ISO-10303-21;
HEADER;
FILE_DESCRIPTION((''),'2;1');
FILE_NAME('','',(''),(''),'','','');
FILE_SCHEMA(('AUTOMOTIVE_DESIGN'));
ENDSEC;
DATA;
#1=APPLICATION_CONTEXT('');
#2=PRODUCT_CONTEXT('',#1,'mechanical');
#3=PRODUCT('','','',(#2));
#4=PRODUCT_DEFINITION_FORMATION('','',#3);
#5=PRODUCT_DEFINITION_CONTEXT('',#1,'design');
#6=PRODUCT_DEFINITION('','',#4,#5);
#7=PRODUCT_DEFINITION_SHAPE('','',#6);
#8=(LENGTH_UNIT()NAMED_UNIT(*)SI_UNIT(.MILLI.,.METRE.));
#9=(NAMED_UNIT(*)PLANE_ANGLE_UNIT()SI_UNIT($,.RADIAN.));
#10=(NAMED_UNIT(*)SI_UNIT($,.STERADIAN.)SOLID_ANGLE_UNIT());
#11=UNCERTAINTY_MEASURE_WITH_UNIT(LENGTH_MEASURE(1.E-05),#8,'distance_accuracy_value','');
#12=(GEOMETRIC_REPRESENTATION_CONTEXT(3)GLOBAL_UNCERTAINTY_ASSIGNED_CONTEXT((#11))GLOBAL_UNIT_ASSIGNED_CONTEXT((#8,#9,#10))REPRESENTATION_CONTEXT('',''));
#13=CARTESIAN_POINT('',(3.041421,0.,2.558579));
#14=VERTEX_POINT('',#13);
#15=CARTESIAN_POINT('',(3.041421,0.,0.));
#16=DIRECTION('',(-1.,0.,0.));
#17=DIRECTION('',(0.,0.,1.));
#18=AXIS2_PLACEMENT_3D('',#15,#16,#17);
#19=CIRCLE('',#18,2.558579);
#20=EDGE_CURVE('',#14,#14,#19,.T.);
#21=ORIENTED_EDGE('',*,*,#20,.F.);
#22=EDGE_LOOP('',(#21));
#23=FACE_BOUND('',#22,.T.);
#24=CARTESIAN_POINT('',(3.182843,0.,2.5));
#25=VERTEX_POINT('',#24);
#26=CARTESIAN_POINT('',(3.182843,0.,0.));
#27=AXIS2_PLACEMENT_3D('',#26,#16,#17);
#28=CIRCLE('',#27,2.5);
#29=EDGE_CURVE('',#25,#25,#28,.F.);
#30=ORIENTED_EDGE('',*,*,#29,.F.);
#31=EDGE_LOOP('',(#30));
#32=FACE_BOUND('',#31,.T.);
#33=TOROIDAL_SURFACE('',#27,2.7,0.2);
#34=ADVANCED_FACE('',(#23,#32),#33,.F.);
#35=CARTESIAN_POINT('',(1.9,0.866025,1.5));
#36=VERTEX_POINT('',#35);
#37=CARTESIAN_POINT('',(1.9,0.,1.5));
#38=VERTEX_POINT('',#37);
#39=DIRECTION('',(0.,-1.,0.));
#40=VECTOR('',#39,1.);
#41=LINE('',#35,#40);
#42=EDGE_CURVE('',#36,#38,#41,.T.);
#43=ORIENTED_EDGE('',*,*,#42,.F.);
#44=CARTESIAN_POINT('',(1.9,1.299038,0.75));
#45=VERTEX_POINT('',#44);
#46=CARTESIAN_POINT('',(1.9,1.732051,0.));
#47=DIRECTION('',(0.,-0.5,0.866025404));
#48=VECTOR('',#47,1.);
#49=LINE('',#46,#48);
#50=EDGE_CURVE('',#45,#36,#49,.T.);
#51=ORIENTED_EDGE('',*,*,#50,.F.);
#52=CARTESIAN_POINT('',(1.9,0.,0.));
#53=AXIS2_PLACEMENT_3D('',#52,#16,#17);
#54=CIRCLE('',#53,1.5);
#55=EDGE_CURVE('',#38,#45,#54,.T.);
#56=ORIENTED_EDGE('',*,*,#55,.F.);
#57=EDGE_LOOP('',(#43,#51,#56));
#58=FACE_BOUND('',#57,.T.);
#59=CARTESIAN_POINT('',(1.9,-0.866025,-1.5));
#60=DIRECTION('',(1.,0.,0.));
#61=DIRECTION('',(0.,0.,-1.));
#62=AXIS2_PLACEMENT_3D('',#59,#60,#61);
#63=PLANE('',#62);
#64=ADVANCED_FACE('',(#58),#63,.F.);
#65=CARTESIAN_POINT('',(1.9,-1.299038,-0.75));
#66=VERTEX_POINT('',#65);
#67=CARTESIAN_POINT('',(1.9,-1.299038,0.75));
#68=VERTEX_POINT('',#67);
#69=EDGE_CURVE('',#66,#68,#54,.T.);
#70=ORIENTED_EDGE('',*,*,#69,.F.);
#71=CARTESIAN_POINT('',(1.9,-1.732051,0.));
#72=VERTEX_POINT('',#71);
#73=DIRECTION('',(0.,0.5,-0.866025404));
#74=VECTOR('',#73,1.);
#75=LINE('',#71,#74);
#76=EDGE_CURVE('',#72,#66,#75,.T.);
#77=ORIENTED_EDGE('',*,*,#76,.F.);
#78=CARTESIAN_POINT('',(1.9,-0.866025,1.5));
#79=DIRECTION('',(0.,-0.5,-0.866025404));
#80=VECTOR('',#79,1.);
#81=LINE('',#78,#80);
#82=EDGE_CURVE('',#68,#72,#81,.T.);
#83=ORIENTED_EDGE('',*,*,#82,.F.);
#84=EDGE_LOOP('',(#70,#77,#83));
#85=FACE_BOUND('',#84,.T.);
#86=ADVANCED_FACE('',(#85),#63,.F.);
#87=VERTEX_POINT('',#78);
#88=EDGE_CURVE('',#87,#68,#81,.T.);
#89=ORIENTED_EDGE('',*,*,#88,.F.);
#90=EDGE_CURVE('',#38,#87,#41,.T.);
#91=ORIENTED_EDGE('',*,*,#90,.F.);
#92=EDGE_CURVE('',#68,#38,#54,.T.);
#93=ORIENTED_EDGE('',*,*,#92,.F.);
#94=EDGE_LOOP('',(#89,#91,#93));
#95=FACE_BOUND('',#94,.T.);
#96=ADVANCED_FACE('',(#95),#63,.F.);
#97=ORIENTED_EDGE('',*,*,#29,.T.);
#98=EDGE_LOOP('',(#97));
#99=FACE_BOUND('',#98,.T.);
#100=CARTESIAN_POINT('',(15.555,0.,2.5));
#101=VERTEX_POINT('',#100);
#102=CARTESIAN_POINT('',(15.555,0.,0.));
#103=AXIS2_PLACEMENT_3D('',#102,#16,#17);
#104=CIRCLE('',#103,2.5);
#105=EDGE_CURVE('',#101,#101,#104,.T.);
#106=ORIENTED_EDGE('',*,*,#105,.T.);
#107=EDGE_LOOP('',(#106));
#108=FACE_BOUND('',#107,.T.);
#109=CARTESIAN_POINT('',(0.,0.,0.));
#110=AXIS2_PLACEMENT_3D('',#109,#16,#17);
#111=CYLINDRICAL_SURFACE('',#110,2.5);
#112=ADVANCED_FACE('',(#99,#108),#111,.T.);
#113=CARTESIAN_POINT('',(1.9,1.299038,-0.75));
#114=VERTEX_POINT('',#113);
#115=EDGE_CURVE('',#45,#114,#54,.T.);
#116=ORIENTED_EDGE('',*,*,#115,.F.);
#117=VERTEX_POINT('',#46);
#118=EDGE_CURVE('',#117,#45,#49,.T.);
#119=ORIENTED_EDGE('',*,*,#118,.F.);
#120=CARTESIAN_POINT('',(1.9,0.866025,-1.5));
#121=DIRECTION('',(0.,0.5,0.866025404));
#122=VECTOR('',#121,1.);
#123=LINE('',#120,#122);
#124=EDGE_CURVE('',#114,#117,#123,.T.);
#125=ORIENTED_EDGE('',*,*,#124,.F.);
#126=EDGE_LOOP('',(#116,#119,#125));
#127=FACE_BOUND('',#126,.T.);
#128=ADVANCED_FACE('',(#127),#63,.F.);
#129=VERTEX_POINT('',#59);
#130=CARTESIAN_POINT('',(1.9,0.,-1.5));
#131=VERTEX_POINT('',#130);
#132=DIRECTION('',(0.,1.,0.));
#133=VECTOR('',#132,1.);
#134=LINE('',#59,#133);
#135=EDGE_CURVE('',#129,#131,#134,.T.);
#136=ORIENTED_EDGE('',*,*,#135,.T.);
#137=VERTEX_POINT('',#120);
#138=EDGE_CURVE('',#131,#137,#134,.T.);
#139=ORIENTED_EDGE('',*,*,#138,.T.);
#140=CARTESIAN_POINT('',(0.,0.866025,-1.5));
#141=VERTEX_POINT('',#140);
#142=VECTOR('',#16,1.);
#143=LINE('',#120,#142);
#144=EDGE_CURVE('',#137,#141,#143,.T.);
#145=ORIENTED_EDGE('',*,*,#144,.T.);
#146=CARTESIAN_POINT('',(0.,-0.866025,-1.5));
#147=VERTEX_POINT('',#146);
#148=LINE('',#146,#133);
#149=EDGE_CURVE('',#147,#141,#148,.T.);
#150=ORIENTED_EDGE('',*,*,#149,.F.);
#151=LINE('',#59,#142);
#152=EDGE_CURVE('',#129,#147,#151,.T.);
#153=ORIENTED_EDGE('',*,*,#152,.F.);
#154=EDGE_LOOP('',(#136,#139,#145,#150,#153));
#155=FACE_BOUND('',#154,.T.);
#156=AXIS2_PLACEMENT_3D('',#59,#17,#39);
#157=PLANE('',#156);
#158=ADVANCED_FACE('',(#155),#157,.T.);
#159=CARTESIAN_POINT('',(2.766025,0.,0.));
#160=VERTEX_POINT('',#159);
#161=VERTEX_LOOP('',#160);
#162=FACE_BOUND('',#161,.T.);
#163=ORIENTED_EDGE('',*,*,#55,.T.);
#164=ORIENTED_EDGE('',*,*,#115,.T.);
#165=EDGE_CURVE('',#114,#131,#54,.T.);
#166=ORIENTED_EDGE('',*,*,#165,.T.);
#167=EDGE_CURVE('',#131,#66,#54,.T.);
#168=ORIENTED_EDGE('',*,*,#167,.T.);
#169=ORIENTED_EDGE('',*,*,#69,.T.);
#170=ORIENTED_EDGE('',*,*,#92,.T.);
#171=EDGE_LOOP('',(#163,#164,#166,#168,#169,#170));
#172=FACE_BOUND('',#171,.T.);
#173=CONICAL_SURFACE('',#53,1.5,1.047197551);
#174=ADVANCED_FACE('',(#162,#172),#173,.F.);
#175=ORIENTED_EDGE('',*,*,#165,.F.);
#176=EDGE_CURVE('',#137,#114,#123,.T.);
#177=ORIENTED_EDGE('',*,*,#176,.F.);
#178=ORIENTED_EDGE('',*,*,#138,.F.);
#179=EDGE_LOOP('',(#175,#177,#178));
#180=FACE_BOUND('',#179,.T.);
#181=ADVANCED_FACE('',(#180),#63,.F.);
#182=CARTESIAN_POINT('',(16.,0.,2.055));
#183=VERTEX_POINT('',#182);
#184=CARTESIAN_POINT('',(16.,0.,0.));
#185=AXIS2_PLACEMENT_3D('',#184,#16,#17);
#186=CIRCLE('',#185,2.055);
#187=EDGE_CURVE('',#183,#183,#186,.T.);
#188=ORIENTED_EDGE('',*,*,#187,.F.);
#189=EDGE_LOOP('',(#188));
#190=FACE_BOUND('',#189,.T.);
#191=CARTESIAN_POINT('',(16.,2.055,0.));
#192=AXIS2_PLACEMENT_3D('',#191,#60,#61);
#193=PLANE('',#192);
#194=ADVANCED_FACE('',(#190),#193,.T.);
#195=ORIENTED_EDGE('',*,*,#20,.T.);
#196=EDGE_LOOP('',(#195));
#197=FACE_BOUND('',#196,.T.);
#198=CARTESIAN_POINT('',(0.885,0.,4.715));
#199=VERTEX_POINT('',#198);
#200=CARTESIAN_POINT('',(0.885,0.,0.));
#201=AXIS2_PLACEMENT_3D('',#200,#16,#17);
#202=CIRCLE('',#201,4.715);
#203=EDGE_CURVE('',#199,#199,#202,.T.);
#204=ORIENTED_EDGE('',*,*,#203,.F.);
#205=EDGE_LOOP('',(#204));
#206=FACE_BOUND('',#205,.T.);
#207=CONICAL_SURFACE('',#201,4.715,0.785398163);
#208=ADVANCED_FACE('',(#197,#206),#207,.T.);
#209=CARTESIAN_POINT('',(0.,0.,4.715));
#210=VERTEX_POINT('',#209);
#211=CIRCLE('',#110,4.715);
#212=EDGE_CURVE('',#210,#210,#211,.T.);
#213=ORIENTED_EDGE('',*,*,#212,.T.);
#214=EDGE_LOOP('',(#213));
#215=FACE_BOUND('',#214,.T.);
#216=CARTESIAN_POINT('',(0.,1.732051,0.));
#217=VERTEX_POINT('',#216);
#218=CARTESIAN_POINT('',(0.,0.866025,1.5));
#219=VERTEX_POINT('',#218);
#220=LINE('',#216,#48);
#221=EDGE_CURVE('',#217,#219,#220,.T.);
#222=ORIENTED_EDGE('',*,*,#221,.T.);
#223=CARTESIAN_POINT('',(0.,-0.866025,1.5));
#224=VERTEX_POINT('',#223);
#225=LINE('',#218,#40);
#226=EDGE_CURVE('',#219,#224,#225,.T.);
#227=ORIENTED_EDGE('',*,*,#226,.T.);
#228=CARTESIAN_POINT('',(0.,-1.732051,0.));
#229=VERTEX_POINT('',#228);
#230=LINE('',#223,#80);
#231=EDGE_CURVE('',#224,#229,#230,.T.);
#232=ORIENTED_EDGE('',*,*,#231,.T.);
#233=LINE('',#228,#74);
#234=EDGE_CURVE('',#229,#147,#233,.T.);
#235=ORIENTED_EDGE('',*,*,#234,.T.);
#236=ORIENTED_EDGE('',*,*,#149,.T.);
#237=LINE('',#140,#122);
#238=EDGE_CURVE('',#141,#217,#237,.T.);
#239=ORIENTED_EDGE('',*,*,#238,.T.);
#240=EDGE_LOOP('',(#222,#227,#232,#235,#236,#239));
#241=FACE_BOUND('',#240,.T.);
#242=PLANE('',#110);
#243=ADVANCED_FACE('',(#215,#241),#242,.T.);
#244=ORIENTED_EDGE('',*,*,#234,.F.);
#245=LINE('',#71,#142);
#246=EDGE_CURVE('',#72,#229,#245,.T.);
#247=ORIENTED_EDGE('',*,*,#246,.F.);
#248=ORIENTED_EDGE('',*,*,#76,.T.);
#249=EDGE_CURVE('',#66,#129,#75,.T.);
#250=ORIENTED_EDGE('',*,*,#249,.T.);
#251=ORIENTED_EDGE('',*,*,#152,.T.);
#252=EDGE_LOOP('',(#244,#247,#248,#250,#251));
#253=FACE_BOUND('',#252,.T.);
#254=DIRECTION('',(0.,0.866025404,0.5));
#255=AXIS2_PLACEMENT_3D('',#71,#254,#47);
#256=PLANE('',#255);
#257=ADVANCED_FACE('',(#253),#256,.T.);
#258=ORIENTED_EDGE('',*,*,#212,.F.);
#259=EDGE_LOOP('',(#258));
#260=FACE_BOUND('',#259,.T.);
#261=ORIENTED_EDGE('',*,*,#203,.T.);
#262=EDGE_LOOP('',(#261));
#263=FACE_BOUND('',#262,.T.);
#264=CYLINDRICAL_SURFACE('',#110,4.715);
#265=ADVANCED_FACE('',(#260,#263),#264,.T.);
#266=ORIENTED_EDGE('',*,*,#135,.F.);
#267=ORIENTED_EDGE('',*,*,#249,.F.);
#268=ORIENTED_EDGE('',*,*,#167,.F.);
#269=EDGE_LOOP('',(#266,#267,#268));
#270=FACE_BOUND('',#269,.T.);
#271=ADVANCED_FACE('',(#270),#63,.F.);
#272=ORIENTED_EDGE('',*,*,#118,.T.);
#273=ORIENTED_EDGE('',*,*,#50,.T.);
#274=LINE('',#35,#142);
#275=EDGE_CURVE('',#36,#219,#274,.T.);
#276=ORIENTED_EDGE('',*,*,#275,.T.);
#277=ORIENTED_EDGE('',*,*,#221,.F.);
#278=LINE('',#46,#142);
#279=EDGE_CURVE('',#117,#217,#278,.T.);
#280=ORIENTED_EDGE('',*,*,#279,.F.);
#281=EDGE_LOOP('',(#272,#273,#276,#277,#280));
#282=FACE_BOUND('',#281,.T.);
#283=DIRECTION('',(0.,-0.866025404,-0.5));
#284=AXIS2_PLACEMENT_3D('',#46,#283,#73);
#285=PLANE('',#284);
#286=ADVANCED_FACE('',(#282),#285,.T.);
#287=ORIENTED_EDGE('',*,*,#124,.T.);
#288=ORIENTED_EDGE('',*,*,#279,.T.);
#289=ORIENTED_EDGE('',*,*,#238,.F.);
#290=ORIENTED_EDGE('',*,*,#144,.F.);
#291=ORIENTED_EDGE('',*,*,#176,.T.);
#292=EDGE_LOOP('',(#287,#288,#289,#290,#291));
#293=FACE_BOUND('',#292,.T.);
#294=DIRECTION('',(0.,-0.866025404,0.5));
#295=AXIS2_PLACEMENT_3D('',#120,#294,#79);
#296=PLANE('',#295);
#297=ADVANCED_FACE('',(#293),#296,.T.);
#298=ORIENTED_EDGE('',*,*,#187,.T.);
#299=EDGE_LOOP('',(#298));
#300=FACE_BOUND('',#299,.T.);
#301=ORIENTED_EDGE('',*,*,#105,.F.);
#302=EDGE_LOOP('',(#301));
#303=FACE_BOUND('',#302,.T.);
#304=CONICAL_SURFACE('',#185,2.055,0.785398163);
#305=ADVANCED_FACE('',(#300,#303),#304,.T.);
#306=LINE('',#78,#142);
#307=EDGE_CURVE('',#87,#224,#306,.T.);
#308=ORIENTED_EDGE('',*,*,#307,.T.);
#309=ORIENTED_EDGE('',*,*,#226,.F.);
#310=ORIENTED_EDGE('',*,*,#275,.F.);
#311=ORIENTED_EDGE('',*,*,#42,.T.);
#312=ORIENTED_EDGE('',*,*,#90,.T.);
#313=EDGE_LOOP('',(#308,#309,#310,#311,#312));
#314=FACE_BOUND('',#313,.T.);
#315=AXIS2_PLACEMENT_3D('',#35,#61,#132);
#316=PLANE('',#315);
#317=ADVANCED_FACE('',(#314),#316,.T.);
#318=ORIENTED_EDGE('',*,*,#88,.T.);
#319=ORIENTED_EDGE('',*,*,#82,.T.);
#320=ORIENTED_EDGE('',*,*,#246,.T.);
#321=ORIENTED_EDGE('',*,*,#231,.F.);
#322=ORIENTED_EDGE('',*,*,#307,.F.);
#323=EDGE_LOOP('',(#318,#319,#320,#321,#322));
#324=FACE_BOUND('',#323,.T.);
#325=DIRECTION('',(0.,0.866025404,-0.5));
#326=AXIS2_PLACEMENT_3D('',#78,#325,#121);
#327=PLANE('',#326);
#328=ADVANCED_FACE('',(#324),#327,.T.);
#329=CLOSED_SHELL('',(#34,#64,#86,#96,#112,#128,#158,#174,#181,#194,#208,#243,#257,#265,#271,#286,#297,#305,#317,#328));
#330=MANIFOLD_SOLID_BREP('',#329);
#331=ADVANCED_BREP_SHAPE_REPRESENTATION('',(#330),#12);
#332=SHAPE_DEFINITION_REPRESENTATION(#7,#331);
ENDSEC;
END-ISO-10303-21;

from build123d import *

# Parameters (mm, degrees)
FILLET1_R   = 0.2
HEX_2_DEPTH = 1.9


with BuildPart() as part:
    # BodySke → BaseBody (revolve)
    with BuildSketch(Plane.XY):
        Polygon((0, 0), (0, 4.715), (0.885, 4.715), (3.1, 2.5), (15.555, 2.5), (16, 2.055), (16, 0), align=None)
    revolve(axis=Axis((0, 0, 0), (1, 0, 0)))

    # Fillet1
    fillet1_edges = [part.edges().sort_by_distance(p)[0] for p in [
        (3.1, -2.5, 0),
    ]]
    fillet(fillet1_edges, radius=FILLET1_R)

    # Sketch2 → PreBroach (revolve, cut)
    with BuildSketch(Plane.XY):
        Polygon((0, 1.5), (1.9, 1.5), (2.766025404, 0), (0, 0), align=None)
    revolve(axis=Axis((0, 0, 0), (1, 0, 0)), mode=Mode.SUBTRACT)

    # Sketch3 → Hex 2 (cut)
    with BuildSketch(Plane.ZY):
        Polygon((-1.5, -0.866025404), (-1.5, 0.866025404), (0, 1.732050808), (1.5, 0.866025404), (1.5, -0.866025404), (0, -1.732050808), align=None)
    extrude(amount=-HEX_2_DEPTH, mode=Mode.SUBTRACT)


solid = part.part
